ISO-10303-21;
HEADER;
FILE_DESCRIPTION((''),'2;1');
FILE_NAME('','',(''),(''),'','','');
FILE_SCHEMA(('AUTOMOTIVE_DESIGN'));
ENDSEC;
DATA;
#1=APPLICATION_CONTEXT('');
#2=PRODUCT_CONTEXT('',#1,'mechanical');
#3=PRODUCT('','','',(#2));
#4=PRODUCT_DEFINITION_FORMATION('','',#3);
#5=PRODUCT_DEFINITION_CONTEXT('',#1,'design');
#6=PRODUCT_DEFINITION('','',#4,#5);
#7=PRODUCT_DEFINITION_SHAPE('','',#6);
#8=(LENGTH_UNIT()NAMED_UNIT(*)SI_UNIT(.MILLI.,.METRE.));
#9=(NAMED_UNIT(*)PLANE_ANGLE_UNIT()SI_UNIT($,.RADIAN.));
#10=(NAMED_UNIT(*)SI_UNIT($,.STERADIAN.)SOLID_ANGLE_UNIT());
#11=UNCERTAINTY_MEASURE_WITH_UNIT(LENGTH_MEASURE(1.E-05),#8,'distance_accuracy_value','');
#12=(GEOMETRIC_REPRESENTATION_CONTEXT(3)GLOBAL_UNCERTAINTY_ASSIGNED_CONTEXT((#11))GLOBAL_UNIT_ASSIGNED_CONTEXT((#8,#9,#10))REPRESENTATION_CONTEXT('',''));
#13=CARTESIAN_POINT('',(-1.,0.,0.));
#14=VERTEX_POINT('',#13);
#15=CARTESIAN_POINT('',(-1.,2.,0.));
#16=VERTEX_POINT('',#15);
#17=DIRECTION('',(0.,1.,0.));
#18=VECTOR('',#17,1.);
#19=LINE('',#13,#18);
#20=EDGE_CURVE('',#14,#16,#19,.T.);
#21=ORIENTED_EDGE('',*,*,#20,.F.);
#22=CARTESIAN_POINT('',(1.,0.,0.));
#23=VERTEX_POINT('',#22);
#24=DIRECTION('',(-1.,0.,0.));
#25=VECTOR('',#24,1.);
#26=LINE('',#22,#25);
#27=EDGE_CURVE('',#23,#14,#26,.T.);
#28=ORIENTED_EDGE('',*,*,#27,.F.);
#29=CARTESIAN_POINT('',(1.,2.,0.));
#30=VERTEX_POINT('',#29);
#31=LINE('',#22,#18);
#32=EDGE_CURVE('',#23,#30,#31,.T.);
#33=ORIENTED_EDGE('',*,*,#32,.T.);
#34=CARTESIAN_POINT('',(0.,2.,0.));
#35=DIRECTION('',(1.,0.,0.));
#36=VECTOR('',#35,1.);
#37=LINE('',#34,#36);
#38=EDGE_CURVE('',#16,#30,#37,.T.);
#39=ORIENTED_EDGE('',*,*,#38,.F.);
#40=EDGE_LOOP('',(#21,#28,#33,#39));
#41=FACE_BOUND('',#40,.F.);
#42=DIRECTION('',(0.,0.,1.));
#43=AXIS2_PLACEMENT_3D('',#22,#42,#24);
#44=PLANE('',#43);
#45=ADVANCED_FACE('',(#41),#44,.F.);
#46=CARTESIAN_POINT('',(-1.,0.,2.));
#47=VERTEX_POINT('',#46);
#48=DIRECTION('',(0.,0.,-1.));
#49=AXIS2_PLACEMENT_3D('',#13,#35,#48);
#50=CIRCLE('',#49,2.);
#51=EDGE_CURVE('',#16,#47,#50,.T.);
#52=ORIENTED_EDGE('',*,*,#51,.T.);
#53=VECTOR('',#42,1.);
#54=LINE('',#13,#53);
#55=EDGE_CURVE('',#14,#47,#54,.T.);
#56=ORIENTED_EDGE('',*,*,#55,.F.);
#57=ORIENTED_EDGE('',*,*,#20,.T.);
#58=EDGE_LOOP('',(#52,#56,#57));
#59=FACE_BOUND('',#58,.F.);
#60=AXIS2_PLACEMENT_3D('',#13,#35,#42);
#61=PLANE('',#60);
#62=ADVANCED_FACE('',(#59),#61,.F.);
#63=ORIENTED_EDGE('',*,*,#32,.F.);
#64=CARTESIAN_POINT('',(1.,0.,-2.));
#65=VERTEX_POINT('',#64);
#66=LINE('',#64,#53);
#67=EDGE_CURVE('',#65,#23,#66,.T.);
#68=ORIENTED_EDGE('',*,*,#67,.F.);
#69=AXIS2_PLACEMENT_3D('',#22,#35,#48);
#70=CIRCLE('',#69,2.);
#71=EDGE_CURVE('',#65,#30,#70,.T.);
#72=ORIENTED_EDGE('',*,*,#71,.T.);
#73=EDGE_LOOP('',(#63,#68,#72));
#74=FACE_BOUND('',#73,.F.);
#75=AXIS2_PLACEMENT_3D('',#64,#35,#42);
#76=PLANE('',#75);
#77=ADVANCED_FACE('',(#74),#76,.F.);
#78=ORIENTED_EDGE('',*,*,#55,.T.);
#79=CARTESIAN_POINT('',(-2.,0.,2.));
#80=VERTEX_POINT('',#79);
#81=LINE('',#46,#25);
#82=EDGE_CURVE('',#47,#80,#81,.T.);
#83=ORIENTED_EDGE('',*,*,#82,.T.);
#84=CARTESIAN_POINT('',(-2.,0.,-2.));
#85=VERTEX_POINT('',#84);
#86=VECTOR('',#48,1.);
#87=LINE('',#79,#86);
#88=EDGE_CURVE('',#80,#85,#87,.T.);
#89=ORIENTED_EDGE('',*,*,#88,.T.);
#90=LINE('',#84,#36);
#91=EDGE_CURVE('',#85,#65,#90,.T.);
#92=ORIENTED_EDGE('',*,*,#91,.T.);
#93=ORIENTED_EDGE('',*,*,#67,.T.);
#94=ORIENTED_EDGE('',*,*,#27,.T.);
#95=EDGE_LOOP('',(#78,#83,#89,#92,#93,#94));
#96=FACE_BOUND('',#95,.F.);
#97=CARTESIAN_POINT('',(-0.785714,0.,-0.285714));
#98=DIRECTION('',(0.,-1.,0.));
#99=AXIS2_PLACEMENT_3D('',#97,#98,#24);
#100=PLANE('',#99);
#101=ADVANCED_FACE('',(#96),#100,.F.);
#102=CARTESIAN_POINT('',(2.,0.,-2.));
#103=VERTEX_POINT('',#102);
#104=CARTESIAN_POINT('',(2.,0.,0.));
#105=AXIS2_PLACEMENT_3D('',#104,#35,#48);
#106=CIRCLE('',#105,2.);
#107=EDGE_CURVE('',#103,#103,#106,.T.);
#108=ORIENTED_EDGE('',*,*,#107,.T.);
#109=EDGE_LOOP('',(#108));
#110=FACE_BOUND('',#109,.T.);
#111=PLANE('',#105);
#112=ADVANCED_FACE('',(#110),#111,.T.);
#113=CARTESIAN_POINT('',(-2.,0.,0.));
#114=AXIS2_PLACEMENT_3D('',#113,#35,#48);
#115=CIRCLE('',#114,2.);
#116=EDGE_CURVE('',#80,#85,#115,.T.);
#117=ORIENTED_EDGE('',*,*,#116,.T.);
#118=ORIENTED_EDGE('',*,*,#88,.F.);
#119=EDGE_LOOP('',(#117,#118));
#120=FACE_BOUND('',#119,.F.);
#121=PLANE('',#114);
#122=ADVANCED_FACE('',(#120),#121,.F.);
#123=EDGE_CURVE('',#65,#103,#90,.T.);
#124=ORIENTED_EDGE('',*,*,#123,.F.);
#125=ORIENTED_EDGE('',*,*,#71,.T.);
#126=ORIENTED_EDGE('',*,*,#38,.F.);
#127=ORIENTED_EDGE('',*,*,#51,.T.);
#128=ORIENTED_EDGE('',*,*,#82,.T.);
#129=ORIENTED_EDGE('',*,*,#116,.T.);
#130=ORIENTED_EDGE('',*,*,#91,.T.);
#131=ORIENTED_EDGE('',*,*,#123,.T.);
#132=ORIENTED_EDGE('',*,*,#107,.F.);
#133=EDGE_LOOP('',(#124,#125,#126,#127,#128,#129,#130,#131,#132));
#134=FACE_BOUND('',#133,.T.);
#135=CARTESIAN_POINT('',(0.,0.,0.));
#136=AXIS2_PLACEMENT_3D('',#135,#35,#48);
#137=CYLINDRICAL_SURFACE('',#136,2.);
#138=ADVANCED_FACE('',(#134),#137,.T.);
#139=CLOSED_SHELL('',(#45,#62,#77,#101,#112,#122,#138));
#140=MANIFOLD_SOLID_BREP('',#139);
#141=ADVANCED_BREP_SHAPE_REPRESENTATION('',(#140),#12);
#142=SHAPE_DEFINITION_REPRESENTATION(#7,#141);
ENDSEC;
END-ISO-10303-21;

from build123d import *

# Parameters (mm, degrees)
SKETCH1_R           = 2
BOSS_EXTRUDE1_DEPTH = 2
CUT_EXTRUDE1_DEPTH  = 4


with BuildPart() as part:
    # Sketch1 → Boss-Extrude1 (new body, symmetric)
    with BuildSketch(Plane(origin=(0, 0, 0), x_dir=(0, 0, -1), z_dir=(1, 0, 0))):
        Circle(SKETCH1_R)
    extrude(amount=BOSS_EXTRUDE1_DEPTH, both=True)

    # Sketch3 → Cut-Extrude1 (cut)
    with BuildSketch(Plane(origin=(0, 0, 0), x_dir=(1, 0, 0), z_dir=(0, 1, 0))):
        Polygon((-1, 2), (1, 2), (1, 0), (-1, 0), (-1, -2), (-2, -2), (-2, 2), align=None)
    extrude(amount=CUT_EXTRUDE1_DEPTH, mode=Mode.SUBTRACT)


solid = part.part
